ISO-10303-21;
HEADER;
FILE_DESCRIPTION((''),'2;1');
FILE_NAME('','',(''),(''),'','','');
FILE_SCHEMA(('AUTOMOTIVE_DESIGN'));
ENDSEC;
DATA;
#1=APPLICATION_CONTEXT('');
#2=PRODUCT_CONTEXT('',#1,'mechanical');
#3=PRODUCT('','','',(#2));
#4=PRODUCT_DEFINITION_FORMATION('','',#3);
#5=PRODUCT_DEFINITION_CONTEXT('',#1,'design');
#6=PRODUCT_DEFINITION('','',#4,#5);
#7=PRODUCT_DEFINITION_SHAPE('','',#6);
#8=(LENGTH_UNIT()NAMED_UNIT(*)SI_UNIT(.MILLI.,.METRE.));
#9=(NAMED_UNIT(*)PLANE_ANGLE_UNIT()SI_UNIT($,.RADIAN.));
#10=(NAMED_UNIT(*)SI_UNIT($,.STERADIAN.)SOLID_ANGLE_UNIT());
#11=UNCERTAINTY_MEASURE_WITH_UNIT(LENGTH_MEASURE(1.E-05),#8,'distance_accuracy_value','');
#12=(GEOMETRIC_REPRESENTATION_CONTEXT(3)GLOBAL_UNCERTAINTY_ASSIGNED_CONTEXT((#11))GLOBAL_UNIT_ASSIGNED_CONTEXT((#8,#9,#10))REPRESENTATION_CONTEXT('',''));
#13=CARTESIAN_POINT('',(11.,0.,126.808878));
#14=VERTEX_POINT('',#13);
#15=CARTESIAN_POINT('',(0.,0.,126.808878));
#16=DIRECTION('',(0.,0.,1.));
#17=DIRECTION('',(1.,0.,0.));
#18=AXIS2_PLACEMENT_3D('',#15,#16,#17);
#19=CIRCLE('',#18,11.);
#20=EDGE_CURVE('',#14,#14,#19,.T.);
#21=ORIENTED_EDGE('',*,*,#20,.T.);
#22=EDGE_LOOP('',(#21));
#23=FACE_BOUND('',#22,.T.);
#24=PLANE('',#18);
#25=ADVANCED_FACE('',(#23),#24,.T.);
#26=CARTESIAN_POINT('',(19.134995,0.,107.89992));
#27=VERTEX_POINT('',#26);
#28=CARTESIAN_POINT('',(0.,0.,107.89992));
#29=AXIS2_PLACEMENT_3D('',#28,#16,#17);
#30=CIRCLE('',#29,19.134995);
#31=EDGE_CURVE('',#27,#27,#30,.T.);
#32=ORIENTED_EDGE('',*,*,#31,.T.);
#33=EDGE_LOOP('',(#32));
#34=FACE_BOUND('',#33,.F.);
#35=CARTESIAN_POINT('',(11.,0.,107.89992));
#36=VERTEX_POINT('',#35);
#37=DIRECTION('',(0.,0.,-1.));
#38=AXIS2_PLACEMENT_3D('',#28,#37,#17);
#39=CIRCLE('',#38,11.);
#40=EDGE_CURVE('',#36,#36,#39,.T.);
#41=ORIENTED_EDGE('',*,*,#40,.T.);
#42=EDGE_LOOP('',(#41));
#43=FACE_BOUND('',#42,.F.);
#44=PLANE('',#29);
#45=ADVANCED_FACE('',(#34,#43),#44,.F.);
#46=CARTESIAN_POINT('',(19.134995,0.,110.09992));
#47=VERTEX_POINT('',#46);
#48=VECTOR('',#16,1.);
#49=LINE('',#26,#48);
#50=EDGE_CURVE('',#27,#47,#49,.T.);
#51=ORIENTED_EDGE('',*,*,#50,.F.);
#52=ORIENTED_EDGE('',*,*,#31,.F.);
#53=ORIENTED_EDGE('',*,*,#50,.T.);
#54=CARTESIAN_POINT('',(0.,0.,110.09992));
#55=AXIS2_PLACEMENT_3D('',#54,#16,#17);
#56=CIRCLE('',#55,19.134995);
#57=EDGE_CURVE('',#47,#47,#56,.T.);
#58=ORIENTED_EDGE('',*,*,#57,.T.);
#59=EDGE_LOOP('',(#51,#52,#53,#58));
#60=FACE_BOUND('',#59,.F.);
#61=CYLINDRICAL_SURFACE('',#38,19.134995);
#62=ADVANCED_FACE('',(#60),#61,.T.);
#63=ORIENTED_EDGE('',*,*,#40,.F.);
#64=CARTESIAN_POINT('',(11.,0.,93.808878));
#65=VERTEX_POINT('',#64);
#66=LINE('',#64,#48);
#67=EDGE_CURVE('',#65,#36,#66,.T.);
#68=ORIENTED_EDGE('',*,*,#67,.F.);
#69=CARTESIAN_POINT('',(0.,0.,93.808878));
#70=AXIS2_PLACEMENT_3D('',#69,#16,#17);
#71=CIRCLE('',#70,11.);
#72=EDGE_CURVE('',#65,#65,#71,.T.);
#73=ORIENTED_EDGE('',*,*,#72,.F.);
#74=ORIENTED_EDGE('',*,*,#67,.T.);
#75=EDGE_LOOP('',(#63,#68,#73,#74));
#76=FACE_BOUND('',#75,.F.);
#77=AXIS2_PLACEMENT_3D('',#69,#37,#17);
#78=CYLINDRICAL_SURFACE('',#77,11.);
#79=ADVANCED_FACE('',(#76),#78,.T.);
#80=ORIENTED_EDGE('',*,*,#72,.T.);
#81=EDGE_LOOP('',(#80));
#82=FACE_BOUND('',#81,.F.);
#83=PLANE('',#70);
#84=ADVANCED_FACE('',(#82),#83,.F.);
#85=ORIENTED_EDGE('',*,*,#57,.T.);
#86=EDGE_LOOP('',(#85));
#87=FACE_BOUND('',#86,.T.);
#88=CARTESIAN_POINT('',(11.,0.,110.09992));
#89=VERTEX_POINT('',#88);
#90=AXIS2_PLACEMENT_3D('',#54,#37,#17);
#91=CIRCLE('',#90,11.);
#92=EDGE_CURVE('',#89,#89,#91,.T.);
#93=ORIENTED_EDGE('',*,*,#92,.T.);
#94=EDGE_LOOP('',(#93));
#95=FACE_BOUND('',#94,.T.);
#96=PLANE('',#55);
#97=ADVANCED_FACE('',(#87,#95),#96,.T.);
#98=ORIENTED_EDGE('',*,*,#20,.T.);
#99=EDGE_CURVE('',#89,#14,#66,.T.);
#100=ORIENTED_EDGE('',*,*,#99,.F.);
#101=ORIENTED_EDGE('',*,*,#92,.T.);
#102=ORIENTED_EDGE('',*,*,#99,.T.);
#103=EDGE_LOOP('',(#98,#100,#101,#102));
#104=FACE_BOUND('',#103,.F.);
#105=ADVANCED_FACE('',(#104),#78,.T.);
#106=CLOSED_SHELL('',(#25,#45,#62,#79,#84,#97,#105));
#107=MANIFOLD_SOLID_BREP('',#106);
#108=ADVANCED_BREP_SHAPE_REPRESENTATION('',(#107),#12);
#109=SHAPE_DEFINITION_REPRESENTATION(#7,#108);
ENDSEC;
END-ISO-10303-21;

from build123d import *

# Parameters (mm, degrees)
CIRCLE001_R          = 8.697725
EXTRUDE_DEPTH        = 1
CYLINDER_R           = 5
CYLINDER_DEPTH       = 15
CLONE013_SCALE_SCALE = 2.2


with BuildPart() as neckblock:
    # Circle001 → Extrude (new body)
    with BuildSketch(Plane.XY.offset(57.640399)):
        Circle(CIRCLE001_R)
    extrude(amount=EXTRUDE_DEPTH)


with BuildPart() as neckblock_1:
    # Extrude placement: moved
    add(neckblock.part.moved(Location((0, 0, -8.594981))))


with BuildPart() as neckwithblock001:
    # Cylinder → Cylinder (new body)
    with BuildSketch(Plane.XY.offset(42.640399)):
        Circle(CYLINDER_R)
    extrude(amount=CYLINDER_DEPTH)

    # Fusion002: union NeckBlock
    add(neckblock_1.part)


with BuildPart() as neckwithblock001_1:
    # Clone013 scale: moved
    add(neckwithblock001.part.scale(CLONE013_SCALE_SCALE))


solid = neckwithblock001_1.part
